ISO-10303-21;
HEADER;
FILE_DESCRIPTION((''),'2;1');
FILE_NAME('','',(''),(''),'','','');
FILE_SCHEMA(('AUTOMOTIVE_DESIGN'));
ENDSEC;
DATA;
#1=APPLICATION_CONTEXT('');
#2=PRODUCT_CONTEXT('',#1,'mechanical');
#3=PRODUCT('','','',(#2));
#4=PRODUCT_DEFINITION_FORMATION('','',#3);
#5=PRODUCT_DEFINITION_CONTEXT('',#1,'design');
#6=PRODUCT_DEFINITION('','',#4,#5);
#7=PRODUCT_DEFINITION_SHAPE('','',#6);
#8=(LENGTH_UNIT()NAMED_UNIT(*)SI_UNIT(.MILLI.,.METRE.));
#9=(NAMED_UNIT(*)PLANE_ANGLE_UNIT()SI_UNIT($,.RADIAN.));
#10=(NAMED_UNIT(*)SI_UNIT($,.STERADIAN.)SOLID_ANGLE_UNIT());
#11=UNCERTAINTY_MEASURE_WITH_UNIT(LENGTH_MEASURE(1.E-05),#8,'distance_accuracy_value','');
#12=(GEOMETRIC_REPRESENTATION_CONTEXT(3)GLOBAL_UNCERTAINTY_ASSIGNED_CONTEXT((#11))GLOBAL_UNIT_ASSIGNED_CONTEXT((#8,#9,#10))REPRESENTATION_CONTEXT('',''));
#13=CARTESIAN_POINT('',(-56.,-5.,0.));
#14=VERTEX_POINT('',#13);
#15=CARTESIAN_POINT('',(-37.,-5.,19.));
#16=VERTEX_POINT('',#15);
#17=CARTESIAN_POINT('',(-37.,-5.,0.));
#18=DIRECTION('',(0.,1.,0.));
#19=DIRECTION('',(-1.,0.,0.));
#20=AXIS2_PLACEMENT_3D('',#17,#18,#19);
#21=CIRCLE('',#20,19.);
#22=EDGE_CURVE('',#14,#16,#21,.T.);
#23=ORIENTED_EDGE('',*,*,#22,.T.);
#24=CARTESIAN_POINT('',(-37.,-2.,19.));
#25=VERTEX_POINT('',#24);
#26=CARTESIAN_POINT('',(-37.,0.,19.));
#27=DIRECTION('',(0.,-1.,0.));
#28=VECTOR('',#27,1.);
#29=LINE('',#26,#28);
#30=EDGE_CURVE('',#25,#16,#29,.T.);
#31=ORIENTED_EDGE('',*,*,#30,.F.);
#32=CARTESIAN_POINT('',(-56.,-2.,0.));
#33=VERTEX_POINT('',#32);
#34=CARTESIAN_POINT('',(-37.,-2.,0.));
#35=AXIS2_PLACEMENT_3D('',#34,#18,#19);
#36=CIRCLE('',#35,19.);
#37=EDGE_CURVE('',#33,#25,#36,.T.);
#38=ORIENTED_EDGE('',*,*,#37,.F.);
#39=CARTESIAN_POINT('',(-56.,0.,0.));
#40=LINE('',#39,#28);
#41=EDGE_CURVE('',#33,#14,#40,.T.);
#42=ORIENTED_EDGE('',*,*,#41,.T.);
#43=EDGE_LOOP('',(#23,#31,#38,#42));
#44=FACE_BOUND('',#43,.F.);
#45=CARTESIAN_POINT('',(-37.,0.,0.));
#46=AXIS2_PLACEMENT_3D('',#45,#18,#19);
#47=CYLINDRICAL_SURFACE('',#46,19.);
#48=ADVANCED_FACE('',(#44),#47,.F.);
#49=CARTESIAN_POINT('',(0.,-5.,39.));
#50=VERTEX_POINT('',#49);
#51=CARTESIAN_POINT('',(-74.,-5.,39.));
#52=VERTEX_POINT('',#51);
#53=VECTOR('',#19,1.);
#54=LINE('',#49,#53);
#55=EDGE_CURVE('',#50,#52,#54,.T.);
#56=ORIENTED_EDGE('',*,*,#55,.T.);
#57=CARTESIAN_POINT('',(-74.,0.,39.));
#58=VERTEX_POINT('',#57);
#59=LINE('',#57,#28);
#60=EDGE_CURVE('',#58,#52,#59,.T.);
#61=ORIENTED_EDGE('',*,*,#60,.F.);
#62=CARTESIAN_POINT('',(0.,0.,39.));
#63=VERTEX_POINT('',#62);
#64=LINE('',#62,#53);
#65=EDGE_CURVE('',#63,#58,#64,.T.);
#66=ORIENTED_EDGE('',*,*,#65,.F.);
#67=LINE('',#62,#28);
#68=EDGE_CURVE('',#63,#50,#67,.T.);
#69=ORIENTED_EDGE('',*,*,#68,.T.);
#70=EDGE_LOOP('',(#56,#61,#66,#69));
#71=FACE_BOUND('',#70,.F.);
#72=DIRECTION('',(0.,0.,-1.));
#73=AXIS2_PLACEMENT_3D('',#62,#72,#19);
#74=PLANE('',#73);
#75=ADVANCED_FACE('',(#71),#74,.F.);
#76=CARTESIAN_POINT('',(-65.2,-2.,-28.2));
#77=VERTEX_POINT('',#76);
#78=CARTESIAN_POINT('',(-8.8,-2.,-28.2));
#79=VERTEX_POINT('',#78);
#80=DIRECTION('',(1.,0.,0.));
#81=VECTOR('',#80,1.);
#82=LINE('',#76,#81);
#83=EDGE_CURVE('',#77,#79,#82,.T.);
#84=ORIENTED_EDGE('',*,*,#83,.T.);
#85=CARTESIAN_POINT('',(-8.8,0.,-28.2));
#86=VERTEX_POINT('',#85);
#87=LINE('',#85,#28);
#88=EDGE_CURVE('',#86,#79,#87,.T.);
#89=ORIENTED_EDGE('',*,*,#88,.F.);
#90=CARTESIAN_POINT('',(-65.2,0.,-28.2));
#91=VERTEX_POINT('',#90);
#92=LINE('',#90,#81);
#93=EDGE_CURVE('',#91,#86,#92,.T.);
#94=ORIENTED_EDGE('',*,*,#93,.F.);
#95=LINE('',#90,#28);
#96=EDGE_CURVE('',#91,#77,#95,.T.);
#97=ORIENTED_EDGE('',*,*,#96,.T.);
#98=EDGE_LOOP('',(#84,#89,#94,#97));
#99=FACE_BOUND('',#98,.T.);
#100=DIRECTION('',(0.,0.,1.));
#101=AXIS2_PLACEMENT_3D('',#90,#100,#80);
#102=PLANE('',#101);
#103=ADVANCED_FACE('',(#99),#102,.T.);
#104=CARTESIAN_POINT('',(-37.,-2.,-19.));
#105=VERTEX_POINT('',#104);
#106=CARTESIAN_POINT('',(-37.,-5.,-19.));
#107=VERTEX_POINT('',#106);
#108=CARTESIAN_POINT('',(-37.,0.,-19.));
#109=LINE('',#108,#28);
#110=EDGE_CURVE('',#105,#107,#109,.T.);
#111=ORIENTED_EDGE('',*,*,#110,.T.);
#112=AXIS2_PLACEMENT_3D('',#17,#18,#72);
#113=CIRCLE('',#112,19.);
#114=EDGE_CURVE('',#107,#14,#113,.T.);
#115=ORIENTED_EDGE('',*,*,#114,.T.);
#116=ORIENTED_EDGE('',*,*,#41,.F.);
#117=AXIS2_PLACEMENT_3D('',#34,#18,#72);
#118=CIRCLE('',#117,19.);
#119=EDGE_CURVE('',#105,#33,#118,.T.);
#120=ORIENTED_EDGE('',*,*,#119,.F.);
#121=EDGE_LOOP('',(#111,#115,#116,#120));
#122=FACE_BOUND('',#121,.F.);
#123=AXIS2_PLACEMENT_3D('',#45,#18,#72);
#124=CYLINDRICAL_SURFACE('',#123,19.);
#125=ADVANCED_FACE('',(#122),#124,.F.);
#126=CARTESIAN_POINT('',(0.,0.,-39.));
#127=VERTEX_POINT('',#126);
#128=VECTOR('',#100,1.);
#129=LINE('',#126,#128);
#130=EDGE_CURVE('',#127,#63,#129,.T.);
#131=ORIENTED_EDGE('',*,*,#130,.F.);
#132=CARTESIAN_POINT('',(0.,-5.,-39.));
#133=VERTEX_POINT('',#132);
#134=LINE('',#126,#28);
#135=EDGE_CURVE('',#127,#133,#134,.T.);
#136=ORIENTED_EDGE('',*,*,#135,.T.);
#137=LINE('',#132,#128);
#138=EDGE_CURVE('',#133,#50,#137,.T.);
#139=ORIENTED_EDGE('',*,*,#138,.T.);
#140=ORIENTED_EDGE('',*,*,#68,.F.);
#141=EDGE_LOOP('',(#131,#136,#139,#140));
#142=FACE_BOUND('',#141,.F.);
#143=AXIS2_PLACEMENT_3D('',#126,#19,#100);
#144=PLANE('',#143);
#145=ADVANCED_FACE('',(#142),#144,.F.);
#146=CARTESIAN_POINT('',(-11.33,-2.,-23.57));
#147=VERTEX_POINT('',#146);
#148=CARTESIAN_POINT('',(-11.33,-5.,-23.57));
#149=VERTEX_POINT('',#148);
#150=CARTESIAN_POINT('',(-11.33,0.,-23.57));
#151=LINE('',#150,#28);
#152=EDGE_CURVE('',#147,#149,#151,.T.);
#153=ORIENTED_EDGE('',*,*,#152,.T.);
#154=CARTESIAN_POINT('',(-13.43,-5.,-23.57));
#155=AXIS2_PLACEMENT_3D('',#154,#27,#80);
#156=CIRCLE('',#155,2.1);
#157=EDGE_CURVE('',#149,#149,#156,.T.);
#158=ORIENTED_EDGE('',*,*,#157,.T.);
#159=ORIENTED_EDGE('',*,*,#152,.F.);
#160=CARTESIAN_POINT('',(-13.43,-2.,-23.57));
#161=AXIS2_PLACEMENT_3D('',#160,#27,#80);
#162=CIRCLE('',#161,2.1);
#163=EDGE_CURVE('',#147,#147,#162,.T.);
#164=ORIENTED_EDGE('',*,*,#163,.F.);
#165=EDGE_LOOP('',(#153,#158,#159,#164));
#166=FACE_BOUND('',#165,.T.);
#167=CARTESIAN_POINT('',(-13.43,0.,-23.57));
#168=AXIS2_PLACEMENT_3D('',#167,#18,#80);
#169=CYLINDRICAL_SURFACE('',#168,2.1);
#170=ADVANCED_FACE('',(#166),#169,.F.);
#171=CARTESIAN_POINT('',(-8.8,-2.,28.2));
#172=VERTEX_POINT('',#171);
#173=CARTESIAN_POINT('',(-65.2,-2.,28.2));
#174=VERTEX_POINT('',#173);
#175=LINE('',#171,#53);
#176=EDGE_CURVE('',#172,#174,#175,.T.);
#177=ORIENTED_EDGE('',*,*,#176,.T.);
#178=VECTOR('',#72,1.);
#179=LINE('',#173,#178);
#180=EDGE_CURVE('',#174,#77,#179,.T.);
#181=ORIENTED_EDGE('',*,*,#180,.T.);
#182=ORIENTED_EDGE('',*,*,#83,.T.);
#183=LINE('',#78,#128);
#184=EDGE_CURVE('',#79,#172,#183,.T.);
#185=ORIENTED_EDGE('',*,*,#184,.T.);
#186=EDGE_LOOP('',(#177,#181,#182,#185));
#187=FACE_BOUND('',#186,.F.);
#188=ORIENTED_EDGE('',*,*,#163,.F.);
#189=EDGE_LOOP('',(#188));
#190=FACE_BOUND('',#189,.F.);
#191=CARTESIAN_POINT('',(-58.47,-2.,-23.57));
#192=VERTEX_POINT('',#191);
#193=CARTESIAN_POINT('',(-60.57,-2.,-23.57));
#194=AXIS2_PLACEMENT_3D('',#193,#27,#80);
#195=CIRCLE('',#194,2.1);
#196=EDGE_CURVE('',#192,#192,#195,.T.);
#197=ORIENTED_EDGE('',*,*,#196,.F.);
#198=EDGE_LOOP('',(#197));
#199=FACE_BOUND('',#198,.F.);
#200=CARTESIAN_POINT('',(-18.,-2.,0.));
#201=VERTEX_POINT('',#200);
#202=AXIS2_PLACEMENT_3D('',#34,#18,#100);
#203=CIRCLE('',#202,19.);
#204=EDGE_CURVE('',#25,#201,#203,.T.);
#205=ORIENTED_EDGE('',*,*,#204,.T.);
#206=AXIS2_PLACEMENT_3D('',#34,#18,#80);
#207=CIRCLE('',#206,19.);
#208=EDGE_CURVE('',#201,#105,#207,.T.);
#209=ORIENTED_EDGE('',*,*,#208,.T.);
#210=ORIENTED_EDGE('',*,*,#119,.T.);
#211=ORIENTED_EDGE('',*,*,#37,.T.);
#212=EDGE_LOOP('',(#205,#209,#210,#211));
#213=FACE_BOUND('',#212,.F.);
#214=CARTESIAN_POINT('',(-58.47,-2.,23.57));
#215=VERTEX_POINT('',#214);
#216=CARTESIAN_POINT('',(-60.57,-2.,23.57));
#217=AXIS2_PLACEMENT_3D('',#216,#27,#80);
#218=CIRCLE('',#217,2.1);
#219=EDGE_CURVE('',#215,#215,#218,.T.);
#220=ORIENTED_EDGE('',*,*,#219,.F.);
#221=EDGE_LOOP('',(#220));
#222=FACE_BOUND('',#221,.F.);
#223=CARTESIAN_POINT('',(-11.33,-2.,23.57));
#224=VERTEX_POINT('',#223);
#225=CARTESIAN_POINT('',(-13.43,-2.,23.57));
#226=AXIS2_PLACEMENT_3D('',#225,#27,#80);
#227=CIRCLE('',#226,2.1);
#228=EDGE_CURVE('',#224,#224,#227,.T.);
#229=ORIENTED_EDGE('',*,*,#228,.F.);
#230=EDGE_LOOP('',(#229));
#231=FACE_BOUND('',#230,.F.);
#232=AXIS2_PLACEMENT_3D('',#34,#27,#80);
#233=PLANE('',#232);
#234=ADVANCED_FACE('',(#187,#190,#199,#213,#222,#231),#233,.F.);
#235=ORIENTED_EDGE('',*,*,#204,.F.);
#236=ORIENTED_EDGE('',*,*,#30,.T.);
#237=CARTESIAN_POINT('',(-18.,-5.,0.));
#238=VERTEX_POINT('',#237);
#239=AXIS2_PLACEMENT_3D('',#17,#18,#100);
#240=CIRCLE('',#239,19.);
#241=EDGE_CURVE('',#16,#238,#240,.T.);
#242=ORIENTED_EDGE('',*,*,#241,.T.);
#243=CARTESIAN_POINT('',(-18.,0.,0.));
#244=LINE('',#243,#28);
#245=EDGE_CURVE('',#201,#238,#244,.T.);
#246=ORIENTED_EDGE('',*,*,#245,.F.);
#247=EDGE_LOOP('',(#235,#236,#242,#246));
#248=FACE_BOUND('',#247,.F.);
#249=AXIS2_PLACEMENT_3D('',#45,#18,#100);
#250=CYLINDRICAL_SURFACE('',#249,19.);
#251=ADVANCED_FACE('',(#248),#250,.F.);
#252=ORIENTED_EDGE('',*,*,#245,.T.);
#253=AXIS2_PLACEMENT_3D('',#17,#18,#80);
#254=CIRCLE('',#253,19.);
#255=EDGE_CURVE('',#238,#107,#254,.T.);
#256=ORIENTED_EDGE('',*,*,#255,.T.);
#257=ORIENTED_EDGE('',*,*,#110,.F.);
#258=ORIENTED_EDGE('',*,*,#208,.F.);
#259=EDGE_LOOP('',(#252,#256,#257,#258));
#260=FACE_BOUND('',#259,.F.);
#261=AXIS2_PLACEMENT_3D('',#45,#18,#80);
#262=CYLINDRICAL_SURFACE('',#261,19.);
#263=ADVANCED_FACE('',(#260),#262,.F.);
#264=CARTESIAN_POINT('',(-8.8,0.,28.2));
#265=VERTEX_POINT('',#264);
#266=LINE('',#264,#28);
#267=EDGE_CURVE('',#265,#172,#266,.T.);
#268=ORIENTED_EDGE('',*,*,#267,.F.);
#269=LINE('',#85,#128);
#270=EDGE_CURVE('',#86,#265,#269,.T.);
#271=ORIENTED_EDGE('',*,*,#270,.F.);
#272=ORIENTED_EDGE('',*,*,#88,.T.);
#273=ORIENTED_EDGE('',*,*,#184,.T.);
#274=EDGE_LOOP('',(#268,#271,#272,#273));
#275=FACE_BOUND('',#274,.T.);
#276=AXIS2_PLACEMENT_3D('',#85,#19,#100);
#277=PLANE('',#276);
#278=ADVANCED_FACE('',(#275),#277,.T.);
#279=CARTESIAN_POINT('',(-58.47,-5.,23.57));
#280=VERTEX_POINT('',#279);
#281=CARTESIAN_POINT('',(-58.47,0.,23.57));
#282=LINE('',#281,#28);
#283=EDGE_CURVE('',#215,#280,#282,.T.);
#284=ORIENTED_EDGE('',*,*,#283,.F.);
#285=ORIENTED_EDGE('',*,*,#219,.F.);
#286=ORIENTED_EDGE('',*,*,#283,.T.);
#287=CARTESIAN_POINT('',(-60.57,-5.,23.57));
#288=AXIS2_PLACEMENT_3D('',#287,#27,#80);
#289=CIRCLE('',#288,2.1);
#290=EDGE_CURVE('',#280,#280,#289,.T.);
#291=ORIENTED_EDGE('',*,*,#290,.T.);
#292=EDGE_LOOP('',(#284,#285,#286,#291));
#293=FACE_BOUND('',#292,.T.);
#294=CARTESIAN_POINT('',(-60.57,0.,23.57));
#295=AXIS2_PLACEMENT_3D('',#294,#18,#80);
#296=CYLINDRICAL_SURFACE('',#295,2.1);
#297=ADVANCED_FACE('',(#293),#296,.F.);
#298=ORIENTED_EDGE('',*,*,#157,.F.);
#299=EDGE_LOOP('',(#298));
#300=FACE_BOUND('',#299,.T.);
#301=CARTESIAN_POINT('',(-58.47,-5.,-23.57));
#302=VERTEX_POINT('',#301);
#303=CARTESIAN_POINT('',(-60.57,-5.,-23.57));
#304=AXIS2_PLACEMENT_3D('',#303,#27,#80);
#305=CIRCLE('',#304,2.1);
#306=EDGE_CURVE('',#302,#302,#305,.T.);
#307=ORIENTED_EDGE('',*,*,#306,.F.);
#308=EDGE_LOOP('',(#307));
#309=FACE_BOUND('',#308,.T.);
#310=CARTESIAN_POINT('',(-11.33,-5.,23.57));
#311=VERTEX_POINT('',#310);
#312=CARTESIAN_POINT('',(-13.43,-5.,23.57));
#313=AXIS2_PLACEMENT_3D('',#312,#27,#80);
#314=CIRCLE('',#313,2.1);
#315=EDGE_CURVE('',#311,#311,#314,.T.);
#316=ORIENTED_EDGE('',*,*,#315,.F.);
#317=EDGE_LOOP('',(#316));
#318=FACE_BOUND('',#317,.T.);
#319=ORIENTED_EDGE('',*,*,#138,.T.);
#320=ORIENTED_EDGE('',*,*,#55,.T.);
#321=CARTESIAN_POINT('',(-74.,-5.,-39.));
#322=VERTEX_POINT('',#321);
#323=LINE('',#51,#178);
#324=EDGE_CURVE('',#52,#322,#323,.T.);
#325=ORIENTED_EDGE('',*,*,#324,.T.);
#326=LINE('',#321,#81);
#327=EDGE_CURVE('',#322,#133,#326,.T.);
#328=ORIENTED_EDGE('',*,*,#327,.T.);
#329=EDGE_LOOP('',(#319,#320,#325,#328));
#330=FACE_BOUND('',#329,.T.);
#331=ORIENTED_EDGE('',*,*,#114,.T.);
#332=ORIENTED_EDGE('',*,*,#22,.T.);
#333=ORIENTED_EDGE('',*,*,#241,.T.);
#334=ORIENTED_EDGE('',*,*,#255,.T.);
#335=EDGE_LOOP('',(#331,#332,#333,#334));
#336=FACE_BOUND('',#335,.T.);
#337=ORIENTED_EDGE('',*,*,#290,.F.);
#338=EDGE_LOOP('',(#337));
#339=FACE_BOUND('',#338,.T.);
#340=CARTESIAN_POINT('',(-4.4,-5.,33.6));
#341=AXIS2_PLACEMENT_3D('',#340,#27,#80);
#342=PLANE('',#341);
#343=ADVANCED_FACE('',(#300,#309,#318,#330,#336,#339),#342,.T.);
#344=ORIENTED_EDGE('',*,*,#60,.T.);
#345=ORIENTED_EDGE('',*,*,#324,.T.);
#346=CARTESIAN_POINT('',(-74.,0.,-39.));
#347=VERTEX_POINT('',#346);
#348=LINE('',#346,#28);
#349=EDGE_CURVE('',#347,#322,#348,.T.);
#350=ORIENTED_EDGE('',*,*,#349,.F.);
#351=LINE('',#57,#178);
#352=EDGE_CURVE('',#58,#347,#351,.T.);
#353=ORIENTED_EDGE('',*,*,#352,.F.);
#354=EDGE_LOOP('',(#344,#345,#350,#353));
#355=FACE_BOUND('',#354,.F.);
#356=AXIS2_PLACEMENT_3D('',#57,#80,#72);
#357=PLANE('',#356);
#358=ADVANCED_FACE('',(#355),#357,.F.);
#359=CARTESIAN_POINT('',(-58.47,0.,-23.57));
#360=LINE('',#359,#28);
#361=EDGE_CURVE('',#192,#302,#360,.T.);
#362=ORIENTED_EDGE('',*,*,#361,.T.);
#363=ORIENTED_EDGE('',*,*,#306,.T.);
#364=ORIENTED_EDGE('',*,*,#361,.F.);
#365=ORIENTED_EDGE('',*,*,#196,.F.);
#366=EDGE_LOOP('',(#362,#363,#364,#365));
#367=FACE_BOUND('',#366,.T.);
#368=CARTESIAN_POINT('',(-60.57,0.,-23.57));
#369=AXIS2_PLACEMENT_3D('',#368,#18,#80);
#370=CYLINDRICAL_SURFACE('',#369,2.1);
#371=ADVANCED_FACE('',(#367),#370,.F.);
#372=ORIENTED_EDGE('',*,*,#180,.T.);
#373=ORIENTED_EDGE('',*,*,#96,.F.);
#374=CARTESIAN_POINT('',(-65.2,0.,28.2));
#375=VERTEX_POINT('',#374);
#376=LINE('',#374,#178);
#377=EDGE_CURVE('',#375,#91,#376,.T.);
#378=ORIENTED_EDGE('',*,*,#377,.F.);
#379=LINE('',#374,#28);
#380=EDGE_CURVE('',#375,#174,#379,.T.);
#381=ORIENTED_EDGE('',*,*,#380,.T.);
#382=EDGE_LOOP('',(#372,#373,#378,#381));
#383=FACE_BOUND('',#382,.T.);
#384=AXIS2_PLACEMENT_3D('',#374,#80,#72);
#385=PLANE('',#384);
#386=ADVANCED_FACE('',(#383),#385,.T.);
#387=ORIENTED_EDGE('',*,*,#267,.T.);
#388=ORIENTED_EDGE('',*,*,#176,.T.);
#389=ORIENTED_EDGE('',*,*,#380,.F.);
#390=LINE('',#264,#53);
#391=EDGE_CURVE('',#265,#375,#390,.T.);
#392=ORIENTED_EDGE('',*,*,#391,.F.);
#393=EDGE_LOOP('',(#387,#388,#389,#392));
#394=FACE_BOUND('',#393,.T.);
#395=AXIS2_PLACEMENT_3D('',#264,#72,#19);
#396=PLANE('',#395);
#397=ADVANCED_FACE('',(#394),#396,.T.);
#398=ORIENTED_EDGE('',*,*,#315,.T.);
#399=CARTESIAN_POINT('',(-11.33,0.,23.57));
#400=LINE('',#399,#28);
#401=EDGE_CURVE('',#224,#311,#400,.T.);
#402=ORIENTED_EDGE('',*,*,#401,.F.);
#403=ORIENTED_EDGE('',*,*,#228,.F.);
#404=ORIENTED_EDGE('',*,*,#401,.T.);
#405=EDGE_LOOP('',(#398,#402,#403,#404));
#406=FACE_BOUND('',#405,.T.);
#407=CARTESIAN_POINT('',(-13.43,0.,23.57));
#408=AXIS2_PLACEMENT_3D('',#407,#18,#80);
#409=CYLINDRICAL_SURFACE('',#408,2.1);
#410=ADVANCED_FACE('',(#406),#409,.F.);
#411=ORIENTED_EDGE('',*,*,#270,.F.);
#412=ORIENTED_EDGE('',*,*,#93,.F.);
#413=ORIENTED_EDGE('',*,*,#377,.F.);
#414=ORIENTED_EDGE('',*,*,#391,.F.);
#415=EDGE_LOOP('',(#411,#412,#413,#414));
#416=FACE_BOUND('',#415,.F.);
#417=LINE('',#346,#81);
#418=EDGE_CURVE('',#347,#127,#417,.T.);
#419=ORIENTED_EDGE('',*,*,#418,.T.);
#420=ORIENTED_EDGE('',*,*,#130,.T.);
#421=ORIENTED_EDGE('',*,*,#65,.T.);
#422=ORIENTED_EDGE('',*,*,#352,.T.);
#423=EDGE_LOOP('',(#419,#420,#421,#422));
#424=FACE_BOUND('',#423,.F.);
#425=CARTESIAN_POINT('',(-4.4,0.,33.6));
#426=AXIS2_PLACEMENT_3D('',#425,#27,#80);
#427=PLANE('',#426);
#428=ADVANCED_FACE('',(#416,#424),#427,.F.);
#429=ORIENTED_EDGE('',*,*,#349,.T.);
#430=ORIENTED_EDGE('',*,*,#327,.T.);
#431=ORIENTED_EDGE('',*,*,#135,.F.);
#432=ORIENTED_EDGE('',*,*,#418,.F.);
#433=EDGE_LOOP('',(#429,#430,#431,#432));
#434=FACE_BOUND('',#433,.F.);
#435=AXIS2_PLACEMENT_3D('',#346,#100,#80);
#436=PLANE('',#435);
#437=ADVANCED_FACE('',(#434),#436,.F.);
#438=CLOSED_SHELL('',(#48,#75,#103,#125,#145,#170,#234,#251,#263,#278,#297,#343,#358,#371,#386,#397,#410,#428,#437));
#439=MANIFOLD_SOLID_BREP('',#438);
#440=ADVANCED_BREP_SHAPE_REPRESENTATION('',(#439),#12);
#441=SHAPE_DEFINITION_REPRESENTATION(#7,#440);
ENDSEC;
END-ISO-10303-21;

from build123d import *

# Parameters (mm, degrees)
F0_W     = 8.8
F0_H     = 10.8
F0_W_2   = 56.4
F0_R     = 2.1
F1_DEPTH = 5
F2_DEPTH = 2


with BuildPart() as f1:
    # F0 (on Front) → F1 (new body)
    with BuildSketch(Plane.XZ):
        with Locations((-4.4, 33.6)):
            Rectangle(F0_W, F0_H)
        with Locations((-37, 33.6)):
            Rectangle(F0_W_2, F0_H)
        Polygon((0, 0), (0, 28.2), (-8.8, 28.2), (-8.8, 0), (-8.8, -28.2), (0, -28.2), align=None)
        with Locations((-69.6, 33.6)):
            Rectangle(F0_W, F0_H)
        Polygon((-65.2, 0), (-65.2, 28.2), (-74, 28.2), (-74, 0), (-74, -28.2), (-65.2, -28.2), align=None)
        with Locations((-4.4, -33.6)):
            Rectangle(F0_W, F0_H)
        with Locations((-37, -33.6)):
            Rectangle(F0_W_2, F0_H)
        with Locations((-69.6, -33.6)):
            Rectangle(F0_W, F0_H)
        Polygon((-8.8, 0), (-8.8, 28.2), (-65.2, 28.2), (-65.2, 0), (-65.2, -28.2), (-8.8, -28.2), align=None)
        with Locations((-60.57, -23.57)):
            Circle(F0_R, mode=Mode.SUBTRACT)
        with Locations((-13.43, -23.57)):
            Circle(F0_R, mode=Mode.SUBTRACT)
        with Locations((-60.57, 23.57)):
            Circle(F0_R, mode=Mode.SUBTRACT)
        with BuildLine():
            ThreePointArc((-37, 19), (-23.5649711575, 13.4350288425), (-18, 0))
            ThreePointArc((-18, 0), (-23.5649711575, -13.4350288425), (-37, -19))
            ThreePointArc((-37, -19), (-50.4350288425, -13.4350288425), (-56, 0))
            ThreePointArc((-56, 0), (-50.4350288425, 13.4350288425), (-37, 19))
        make_face(mode=Mode.SUBTRACT)
        with Locations((-13.43, 23.57)):
            Circle(F0_R, mode=Mode.SUBTRACT)
    extrude(amount=F1_DEPTH)

    # F0 (on Front) → F2 (cut)
    with BuildSketch(Plane.XZ):
        Polygon((-8.8, 0), (-8.8, 28.2), (-65.2, 28.2), (-65.2, 0), (-65.2, -28.2), (-8.8, -28.2), align=None)
        with Locations((-60.57, -23.57)):
            Circle(F0_R, mode=Mode.SUBTRACT)
        with Locations((-13.43, -23.57)):
            Circle(F0_R, mode=Mode.SUBTRACT)
        with Locations((-60.57, 23.57)):
            Circle(F0_R, mode=Mode.SUBTRACT)
        with BuildLine():
            ThreePointArc((-37, 19), (-23.5649711575, 13.4350288425), (-18, 0))
            ThreePointArc((-18, 0), (-23.5649711575, -13.4350288425), (-37, -19))
            ThreePointArc((-37, -19), (-50.4350288425, -13.4350288425), (-56, 0))
            ThreePointArc((-56, 0), (-50.4350288425, 13.4350288425), (-37, 19))
        make_face(mode=Mode.SUBTRACT)
        with Locations((-13.43, 23.57)):
            Circle(F0_R, mode=Mode.SUBTRACT)
    extrude(amount=F2_DEPTH, mode=Mode.SUBTRACT)


solid = f1.part
